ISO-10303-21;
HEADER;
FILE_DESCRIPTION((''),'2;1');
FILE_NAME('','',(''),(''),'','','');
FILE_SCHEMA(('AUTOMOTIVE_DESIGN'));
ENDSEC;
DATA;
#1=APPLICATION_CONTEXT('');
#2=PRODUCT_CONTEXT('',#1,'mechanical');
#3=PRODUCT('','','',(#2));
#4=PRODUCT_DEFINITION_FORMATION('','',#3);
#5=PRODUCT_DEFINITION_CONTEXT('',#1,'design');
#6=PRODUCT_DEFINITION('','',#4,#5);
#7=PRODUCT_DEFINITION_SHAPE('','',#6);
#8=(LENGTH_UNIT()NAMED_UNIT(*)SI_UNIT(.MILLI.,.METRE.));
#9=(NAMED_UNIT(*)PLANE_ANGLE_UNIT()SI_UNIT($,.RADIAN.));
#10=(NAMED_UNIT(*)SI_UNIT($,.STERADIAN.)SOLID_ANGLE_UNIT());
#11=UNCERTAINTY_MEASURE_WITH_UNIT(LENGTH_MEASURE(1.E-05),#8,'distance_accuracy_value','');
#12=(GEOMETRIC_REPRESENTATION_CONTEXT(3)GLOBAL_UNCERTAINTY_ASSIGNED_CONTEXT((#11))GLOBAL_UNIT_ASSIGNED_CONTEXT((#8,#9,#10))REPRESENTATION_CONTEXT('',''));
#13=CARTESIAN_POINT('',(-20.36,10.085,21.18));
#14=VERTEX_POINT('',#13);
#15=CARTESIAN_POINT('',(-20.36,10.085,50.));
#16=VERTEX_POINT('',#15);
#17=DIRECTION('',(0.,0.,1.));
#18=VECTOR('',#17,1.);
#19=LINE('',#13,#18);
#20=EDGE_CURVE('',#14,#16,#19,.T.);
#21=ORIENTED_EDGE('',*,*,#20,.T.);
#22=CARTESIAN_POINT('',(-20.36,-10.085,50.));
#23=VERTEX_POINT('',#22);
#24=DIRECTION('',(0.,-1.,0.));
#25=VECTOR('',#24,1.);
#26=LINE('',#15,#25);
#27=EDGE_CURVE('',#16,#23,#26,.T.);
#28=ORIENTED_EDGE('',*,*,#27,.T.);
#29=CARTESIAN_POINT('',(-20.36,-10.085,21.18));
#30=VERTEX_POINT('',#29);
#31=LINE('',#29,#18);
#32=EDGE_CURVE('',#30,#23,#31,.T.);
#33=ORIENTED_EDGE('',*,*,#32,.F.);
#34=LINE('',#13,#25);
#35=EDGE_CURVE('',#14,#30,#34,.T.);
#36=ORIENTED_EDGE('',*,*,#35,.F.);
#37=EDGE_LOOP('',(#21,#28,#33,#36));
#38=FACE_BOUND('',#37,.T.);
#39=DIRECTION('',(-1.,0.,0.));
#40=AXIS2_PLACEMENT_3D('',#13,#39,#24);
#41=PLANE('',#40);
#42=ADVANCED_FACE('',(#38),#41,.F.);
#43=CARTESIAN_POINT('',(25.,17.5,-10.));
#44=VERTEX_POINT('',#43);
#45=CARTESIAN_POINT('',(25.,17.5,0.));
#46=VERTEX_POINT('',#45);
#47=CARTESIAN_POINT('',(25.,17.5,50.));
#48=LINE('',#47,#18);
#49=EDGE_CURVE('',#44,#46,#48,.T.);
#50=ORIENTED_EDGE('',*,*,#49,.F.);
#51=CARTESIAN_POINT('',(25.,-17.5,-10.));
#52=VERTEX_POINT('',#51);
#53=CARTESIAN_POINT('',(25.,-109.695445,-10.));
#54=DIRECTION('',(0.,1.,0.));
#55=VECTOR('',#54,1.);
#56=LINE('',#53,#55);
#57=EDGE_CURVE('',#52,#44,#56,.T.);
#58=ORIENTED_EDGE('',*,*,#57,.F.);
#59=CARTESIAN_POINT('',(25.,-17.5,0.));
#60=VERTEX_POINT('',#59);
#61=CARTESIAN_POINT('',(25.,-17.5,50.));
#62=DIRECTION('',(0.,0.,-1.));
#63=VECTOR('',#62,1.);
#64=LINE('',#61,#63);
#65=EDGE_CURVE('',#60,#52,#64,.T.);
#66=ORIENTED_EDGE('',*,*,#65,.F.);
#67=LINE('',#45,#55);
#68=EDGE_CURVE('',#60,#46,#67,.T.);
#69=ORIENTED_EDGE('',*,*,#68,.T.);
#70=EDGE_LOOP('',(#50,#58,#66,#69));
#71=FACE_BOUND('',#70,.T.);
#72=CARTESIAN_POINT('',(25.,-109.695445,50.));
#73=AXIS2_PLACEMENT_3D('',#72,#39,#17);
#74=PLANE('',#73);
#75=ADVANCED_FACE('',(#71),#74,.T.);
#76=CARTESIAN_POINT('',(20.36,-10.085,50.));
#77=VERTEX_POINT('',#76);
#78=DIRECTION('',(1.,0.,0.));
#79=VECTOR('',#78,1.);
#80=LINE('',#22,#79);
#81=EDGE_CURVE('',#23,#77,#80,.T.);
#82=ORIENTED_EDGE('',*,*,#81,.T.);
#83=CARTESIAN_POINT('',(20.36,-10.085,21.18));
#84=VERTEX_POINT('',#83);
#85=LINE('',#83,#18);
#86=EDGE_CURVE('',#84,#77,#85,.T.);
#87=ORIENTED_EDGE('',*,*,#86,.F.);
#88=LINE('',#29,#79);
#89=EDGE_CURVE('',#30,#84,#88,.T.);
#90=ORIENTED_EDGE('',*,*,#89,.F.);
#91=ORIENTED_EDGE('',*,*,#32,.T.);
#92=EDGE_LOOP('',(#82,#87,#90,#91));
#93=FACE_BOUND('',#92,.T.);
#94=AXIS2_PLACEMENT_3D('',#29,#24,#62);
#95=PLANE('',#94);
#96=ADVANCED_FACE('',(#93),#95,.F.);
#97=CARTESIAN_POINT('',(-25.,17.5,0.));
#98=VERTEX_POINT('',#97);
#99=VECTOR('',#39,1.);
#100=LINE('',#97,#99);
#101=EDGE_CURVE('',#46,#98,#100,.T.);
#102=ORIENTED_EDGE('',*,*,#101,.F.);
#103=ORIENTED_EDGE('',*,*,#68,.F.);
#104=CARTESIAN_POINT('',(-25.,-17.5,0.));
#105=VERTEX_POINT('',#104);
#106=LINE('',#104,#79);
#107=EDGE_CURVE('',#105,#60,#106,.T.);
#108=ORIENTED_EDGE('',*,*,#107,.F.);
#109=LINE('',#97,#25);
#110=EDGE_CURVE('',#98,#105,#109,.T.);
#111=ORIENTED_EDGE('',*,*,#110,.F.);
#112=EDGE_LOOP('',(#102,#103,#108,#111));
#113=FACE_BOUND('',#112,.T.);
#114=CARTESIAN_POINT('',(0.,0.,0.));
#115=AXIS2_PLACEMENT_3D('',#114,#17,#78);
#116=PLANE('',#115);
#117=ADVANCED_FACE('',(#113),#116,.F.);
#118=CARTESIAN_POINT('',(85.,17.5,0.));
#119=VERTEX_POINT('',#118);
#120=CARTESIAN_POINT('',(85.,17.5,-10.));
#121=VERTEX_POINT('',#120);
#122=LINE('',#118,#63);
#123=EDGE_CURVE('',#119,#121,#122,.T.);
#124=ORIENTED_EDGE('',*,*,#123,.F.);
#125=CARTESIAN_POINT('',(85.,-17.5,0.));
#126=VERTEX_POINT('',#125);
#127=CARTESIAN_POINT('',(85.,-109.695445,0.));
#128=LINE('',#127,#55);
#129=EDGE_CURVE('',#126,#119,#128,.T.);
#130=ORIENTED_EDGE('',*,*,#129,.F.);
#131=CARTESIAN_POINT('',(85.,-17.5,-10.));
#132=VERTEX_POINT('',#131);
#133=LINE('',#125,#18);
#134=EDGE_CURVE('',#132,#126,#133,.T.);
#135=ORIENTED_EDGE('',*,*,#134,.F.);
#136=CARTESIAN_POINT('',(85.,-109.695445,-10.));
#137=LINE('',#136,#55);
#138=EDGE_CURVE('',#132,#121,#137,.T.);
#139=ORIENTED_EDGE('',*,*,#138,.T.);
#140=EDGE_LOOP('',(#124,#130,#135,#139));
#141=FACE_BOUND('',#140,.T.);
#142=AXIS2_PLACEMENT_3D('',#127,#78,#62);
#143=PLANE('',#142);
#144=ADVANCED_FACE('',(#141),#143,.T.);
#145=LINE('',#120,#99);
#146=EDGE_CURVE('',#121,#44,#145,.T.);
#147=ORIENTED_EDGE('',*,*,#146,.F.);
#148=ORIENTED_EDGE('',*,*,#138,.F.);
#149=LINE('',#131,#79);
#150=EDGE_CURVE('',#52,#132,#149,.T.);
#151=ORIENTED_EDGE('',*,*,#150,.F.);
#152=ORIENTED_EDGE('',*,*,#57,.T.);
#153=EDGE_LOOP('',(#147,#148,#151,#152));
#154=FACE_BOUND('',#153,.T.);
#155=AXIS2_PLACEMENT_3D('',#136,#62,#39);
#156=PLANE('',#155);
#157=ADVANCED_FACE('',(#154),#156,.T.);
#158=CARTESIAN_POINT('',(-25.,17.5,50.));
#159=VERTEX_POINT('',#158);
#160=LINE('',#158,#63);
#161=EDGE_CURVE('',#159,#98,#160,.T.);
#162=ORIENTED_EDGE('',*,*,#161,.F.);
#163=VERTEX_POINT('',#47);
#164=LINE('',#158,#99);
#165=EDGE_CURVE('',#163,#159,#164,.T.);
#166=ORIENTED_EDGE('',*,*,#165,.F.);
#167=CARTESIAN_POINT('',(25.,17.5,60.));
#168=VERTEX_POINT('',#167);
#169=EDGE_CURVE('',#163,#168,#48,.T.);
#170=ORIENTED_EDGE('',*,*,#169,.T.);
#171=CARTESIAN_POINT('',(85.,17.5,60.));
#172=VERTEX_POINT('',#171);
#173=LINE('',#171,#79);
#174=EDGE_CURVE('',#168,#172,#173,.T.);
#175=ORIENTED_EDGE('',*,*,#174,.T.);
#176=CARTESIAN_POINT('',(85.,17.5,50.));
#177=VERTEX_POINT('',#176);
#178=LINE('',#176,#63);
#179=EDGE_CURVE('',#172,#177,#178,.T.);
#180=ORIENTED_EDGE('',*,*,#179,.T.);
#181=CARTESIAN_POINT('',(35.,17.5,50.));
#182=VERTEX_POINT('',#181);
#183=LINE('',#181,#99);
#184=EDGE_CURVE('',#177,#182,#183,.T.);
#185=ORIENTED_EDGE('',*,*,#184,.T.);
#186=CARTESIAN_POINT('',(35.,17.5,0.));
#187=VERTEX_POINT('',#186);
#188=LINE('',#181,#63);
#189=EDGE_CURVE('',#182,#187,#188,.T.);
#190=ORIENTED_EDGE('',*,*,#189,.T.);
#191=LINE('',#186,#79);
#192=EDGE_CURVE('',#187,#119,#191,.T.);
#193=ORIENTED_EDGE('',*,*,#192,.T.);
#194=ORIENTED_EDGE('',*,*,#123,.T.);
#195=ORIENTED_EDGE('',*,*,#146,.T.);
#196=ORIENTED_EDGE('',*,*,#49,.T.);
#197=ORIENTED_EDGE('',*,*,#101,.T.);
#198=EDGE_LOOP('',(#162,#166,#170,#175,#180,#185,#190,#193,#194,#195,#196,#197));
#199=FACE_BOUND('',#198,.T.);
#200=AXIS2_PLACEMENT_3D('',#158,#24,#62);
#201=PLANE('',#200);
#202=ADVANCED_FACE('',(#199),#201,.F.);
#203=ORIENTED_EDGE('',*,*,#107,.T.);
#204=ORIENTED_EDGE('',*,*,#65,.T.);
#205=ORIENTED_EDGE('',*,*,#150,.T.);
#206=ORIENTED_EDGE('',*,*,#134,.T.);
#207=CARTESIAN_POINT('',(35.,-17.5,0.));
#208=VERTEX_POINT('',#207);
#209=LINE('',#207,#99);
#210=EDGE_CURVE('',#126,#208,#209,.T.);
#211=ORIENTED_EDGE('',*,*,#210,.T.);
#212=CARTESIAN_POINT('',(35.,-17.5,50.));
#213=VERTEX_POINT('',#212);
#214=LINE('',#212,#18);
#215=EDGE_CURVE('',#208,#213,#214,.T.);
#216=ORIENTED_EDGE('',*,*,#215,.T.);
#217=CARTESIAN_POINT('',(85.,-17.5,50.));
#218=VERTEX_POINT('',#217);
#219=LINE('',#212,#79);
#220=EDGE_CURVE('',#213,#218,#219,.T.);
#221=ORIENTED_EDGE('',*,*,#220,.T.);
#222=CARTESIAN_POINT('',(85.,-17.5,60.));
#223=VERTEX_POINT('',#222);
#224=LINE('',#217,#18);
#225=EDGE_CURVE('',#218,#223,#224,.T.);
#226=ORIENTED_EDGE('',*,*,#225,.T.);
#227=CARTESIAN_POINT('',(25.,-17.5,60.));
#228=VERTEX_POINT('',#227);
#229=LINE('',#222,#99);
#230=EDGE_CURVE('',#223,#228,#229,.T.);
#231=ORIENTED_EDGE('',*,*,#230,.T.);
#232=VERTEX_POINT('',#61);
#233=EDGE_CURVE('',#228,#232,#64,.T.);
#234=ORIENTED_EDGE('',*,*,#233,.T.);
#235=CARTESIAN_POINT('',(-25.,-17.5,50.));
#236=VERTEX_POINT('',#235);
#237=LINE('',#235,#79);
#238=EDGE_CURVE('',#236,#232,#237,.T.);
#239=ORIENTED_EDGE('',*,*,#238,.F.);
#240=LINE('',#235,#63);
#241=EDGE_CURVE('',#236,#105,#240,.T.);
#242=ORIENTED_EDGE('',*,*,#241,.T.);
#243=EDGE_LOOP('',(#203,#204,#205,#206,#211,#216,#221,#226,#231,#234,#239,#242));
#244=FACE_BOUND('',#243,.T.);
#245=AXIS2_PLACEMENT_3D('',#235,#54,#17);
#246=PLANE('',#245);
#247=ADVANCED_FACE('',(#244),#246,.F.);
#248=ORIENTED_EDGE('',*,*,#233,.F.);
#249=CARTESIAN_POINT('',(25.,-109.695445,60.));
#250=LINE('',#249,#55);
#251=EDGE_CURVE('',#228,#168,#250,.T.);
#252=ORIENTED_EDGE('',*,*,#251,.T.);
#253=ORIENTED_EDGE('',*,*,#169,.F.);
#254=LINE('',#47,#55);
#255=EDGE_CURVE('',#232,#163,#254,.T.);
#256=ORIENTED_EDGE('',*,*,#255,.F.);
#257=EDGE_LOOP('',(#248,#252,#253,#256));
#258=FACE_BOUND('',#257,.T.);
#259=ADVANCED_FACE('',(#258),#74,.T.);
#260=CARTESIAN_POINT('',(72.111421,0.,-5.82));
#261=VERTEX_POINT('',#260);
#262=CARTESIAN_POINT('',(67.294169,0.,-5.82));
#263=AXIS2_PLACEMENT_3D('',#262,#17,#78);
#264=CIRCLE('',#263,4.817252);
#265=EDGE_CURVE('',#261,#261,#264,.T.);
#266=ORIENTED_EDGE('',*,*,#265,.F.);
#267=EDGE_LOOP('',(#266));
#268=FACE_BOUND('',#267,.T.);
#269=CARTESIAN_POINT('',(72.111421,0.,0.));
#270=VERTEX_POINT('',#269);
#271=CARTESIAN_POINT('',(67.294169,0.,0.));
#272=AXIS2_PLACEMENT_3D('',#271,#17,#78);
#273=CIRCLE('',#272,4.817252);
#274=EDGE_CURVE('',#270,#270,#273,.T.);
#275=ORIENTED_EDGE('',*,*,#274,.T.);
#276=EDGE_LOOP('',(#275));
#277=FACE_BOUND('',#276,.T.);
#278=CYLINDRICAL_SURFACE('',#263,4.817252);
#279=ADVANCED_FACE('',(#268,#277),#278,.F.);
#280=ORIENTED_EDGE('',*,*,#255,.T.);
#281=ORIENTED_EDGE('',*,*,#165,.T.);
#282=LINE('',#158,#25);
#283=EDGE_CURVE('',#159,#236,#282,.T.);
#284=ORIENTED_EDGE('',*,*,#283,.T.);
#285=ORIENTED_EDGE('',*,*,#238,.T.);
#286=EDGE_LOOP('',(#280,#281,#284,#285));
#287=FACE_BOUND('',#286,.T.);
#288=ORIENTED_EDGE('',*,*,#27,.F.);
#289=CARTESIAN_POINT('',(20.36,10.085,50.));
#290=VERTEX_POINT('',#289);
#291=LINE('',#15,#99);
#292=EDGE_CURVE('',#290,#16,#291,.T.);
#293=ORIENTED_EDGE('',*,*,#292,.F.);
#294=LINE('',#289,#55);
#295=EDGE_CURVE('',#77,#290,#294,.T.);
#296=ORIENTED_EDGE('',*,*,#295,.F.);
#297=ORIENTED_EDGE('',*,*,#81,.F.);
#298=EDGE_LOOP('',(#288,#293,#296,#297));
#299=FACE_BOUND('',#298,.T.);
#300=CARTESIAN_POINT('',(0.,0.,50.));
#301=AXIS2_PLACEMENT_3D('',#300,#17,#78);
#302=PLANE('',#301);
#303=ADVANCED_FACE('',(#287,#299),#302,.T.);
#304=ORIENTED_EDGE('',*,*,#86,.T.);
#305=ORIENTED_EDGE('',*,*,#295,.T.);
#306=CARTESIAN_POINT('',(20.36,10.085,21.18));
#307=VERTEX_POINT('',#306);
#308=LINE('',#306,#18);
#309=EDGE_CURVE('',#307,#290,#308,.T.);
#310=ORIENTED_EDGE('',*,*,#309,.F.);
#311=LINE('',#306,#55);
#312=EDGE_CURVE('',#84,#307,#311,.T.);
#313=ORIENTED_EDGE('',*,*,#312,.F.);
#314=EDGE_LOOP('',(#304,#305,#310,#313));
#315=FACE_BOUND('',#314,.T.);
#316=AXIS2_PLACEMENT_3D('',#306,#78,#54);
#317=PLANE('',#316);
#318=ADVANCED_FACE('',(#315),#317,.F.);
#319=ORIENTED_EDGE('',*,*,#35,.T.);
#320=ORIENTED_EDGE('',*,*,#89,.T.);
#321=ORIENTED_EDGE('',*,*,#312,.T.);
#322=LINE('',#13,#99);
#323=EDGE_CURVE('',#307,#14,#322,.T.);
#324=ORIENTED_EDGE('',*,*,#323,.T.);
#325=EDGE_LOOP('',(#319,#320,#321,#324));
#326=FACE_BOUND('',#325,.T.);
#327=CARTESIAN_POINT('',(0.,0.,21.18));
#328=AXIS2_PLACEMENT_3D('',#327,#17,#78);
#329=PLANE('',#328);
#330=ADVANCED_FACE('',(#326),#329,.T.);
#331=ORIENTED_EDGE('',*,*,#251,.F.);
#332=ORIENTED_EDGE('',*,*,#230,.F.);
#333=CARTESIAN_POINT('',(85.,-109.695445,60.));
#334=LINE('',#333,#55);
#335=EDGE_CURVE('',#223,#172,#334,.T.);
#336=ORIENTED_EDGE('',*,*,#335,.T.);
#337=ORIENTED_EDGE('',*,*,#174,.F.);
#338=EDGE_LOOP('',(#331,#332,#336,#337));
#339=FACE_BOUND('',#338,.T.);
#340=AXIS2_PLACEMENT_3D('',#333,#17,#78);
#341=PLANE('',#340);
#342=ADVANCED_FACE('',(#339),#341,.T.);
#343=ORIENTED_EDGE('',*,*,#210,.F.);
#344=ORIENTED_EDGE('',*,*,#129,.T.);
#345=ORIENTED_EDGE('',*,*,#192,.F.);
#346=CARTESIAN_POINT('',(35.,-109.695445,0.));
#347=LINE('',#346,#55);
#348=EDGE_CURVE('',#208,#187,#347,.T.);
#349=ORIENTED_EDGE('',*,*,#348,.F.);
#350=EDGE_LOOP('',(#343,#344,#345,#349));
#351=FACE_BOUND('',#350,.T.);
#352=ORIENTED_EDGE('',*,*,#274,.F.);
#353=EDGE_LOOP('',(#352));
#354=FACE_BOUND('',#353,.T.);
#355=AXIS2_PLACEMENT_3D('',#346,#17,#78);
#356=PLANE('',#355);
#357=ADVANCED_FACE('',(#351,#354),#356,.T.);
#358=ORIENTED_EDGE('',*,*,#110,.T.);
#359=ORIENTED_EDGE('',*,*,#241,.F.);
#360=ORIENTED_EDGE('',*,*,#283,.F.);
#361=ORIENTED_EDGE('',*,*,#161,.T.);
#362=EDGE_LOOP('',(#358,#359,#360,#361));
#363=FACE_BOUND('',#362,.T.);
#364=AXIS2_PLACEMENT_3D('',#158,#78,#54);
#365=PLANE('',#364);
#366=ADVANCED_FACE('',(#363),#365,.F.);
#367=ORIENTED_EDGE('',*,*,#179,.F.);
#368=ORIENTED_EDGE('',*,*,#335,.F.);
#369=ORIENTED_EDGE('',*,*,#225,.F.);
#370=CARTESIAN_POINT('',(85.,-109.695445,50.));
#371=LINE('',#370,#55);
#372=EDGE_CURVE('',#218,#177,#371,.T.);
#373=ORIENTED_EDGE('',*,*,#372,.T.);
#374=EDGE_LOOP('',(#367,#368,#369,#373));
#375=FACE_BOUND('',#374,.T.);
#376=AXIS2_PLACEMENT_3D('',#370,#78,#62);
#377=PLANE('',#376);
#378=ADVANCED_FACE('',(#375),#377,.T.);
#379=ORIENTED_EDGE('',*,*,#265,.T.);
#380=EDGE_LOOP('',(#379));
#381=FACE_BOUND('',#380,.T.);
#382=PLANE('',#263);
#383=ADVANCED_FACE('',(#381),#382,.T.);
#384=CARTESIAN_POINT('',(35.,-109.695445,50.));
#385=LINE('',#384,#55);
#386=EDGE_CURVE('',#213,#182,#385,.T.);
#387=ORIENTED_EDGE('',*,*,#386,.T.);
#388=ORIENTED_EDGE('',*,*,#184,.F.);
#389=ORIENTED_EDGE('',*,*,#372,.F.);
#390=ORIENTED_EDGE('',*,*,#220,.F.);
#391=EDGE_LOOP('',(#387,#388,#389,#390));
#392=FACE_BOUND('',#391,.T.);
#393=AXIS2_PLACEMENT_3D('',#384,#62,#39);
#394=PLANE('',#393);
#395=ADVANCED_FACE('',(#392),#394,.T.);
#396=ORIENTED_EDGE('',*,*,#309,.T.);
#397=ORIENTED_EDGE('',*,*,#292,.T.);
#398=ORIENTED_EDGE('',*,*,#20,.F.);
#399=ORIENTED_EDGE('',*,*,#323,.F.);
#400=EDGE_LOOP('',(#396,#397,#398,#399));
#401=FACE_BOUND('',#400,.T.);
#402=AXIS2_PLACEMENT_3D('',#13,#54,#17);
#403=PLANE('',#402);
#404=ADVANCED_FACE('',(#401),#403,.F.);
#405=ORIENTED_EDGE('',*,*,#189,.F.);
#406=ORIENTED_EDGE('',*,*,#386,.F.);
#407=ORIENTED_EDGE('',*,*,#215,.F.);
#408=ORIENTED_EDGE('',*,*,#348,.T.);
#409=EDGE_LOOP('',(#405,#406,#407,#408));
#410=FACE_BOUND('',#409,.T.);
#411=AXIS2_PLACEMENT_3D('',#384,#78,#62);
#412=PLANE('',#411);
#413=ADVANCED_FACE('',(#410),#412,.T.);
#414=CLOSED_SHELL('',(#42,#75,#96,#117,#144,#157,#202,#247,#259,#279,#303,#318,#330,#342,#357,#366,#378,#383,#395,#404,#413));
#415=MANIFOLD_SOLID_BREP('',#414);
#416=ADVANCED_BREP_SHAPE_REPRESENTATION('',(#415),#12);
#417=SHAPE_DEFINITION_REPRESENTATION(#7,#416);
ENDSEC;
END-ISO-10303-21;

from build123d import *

# Parameters (mm, degrees)
SKETCH2_W           = 50
SKETCH2_H           = 35
BOSS_EXTRUDE1_DEPTH = 50
SKETCH3_W           = 40.72
SKETCH3_H           = 20.17
CUT_EXTRUDE1_DEPTH  = 28.82
BOSS_EXTRUDE2_DEPTH = 35
SKETCH5_R           = 4.817251836
CUT_EXTRUDE2_DEPTH  = 5.82


with BuildPart() as part:
    # Sketch2 → Boss-Extrude1 (new body)
    with BuildSketch(Plane.XY):
        Rectangle(SKETCH2_W, SKETCH2_H)
    extrude(amount=BOSS_EXTRUDE1_DEPTH)

    # Sketch3 → Cut-Extrude1 (cut)
    with BuildSketch(Plane.XY.offset(50)):
        Rectangle(SKETCH3_W, SKETCH3_H)
    extrude(amount=-CUT_EXTRUDE1_DEPTH, mode=Mode.SUBTRACT)

    # Sketch4 → Boss-Extrude2 (add)
    with BuildSketch(Plane(origin=(0, 17.5, 0), x_dir=(1, 0, 0), z_dir=(0, 1, 0))):
        Polygon((25, -50), (25, 0), (25, 10), (85, 10), (85, 0), (35, 0), (35, -50), (85, -50), (85, -60), (25, -60), align=None)
    extrude(amount=-BOSS_EXTRUDE2_DEPTH)

    # Sketch5 → Cut-Extrude2 (cut)
    with BuildSketch(Plane.XY):
        with Locations((67.294168967, 0)):
            Circle(SKETCH5_R)
    extrude(amount=-CUT_EXTRUDE2_DEPTH, mode=Mode.SUBTRACT)


solid = part.part
